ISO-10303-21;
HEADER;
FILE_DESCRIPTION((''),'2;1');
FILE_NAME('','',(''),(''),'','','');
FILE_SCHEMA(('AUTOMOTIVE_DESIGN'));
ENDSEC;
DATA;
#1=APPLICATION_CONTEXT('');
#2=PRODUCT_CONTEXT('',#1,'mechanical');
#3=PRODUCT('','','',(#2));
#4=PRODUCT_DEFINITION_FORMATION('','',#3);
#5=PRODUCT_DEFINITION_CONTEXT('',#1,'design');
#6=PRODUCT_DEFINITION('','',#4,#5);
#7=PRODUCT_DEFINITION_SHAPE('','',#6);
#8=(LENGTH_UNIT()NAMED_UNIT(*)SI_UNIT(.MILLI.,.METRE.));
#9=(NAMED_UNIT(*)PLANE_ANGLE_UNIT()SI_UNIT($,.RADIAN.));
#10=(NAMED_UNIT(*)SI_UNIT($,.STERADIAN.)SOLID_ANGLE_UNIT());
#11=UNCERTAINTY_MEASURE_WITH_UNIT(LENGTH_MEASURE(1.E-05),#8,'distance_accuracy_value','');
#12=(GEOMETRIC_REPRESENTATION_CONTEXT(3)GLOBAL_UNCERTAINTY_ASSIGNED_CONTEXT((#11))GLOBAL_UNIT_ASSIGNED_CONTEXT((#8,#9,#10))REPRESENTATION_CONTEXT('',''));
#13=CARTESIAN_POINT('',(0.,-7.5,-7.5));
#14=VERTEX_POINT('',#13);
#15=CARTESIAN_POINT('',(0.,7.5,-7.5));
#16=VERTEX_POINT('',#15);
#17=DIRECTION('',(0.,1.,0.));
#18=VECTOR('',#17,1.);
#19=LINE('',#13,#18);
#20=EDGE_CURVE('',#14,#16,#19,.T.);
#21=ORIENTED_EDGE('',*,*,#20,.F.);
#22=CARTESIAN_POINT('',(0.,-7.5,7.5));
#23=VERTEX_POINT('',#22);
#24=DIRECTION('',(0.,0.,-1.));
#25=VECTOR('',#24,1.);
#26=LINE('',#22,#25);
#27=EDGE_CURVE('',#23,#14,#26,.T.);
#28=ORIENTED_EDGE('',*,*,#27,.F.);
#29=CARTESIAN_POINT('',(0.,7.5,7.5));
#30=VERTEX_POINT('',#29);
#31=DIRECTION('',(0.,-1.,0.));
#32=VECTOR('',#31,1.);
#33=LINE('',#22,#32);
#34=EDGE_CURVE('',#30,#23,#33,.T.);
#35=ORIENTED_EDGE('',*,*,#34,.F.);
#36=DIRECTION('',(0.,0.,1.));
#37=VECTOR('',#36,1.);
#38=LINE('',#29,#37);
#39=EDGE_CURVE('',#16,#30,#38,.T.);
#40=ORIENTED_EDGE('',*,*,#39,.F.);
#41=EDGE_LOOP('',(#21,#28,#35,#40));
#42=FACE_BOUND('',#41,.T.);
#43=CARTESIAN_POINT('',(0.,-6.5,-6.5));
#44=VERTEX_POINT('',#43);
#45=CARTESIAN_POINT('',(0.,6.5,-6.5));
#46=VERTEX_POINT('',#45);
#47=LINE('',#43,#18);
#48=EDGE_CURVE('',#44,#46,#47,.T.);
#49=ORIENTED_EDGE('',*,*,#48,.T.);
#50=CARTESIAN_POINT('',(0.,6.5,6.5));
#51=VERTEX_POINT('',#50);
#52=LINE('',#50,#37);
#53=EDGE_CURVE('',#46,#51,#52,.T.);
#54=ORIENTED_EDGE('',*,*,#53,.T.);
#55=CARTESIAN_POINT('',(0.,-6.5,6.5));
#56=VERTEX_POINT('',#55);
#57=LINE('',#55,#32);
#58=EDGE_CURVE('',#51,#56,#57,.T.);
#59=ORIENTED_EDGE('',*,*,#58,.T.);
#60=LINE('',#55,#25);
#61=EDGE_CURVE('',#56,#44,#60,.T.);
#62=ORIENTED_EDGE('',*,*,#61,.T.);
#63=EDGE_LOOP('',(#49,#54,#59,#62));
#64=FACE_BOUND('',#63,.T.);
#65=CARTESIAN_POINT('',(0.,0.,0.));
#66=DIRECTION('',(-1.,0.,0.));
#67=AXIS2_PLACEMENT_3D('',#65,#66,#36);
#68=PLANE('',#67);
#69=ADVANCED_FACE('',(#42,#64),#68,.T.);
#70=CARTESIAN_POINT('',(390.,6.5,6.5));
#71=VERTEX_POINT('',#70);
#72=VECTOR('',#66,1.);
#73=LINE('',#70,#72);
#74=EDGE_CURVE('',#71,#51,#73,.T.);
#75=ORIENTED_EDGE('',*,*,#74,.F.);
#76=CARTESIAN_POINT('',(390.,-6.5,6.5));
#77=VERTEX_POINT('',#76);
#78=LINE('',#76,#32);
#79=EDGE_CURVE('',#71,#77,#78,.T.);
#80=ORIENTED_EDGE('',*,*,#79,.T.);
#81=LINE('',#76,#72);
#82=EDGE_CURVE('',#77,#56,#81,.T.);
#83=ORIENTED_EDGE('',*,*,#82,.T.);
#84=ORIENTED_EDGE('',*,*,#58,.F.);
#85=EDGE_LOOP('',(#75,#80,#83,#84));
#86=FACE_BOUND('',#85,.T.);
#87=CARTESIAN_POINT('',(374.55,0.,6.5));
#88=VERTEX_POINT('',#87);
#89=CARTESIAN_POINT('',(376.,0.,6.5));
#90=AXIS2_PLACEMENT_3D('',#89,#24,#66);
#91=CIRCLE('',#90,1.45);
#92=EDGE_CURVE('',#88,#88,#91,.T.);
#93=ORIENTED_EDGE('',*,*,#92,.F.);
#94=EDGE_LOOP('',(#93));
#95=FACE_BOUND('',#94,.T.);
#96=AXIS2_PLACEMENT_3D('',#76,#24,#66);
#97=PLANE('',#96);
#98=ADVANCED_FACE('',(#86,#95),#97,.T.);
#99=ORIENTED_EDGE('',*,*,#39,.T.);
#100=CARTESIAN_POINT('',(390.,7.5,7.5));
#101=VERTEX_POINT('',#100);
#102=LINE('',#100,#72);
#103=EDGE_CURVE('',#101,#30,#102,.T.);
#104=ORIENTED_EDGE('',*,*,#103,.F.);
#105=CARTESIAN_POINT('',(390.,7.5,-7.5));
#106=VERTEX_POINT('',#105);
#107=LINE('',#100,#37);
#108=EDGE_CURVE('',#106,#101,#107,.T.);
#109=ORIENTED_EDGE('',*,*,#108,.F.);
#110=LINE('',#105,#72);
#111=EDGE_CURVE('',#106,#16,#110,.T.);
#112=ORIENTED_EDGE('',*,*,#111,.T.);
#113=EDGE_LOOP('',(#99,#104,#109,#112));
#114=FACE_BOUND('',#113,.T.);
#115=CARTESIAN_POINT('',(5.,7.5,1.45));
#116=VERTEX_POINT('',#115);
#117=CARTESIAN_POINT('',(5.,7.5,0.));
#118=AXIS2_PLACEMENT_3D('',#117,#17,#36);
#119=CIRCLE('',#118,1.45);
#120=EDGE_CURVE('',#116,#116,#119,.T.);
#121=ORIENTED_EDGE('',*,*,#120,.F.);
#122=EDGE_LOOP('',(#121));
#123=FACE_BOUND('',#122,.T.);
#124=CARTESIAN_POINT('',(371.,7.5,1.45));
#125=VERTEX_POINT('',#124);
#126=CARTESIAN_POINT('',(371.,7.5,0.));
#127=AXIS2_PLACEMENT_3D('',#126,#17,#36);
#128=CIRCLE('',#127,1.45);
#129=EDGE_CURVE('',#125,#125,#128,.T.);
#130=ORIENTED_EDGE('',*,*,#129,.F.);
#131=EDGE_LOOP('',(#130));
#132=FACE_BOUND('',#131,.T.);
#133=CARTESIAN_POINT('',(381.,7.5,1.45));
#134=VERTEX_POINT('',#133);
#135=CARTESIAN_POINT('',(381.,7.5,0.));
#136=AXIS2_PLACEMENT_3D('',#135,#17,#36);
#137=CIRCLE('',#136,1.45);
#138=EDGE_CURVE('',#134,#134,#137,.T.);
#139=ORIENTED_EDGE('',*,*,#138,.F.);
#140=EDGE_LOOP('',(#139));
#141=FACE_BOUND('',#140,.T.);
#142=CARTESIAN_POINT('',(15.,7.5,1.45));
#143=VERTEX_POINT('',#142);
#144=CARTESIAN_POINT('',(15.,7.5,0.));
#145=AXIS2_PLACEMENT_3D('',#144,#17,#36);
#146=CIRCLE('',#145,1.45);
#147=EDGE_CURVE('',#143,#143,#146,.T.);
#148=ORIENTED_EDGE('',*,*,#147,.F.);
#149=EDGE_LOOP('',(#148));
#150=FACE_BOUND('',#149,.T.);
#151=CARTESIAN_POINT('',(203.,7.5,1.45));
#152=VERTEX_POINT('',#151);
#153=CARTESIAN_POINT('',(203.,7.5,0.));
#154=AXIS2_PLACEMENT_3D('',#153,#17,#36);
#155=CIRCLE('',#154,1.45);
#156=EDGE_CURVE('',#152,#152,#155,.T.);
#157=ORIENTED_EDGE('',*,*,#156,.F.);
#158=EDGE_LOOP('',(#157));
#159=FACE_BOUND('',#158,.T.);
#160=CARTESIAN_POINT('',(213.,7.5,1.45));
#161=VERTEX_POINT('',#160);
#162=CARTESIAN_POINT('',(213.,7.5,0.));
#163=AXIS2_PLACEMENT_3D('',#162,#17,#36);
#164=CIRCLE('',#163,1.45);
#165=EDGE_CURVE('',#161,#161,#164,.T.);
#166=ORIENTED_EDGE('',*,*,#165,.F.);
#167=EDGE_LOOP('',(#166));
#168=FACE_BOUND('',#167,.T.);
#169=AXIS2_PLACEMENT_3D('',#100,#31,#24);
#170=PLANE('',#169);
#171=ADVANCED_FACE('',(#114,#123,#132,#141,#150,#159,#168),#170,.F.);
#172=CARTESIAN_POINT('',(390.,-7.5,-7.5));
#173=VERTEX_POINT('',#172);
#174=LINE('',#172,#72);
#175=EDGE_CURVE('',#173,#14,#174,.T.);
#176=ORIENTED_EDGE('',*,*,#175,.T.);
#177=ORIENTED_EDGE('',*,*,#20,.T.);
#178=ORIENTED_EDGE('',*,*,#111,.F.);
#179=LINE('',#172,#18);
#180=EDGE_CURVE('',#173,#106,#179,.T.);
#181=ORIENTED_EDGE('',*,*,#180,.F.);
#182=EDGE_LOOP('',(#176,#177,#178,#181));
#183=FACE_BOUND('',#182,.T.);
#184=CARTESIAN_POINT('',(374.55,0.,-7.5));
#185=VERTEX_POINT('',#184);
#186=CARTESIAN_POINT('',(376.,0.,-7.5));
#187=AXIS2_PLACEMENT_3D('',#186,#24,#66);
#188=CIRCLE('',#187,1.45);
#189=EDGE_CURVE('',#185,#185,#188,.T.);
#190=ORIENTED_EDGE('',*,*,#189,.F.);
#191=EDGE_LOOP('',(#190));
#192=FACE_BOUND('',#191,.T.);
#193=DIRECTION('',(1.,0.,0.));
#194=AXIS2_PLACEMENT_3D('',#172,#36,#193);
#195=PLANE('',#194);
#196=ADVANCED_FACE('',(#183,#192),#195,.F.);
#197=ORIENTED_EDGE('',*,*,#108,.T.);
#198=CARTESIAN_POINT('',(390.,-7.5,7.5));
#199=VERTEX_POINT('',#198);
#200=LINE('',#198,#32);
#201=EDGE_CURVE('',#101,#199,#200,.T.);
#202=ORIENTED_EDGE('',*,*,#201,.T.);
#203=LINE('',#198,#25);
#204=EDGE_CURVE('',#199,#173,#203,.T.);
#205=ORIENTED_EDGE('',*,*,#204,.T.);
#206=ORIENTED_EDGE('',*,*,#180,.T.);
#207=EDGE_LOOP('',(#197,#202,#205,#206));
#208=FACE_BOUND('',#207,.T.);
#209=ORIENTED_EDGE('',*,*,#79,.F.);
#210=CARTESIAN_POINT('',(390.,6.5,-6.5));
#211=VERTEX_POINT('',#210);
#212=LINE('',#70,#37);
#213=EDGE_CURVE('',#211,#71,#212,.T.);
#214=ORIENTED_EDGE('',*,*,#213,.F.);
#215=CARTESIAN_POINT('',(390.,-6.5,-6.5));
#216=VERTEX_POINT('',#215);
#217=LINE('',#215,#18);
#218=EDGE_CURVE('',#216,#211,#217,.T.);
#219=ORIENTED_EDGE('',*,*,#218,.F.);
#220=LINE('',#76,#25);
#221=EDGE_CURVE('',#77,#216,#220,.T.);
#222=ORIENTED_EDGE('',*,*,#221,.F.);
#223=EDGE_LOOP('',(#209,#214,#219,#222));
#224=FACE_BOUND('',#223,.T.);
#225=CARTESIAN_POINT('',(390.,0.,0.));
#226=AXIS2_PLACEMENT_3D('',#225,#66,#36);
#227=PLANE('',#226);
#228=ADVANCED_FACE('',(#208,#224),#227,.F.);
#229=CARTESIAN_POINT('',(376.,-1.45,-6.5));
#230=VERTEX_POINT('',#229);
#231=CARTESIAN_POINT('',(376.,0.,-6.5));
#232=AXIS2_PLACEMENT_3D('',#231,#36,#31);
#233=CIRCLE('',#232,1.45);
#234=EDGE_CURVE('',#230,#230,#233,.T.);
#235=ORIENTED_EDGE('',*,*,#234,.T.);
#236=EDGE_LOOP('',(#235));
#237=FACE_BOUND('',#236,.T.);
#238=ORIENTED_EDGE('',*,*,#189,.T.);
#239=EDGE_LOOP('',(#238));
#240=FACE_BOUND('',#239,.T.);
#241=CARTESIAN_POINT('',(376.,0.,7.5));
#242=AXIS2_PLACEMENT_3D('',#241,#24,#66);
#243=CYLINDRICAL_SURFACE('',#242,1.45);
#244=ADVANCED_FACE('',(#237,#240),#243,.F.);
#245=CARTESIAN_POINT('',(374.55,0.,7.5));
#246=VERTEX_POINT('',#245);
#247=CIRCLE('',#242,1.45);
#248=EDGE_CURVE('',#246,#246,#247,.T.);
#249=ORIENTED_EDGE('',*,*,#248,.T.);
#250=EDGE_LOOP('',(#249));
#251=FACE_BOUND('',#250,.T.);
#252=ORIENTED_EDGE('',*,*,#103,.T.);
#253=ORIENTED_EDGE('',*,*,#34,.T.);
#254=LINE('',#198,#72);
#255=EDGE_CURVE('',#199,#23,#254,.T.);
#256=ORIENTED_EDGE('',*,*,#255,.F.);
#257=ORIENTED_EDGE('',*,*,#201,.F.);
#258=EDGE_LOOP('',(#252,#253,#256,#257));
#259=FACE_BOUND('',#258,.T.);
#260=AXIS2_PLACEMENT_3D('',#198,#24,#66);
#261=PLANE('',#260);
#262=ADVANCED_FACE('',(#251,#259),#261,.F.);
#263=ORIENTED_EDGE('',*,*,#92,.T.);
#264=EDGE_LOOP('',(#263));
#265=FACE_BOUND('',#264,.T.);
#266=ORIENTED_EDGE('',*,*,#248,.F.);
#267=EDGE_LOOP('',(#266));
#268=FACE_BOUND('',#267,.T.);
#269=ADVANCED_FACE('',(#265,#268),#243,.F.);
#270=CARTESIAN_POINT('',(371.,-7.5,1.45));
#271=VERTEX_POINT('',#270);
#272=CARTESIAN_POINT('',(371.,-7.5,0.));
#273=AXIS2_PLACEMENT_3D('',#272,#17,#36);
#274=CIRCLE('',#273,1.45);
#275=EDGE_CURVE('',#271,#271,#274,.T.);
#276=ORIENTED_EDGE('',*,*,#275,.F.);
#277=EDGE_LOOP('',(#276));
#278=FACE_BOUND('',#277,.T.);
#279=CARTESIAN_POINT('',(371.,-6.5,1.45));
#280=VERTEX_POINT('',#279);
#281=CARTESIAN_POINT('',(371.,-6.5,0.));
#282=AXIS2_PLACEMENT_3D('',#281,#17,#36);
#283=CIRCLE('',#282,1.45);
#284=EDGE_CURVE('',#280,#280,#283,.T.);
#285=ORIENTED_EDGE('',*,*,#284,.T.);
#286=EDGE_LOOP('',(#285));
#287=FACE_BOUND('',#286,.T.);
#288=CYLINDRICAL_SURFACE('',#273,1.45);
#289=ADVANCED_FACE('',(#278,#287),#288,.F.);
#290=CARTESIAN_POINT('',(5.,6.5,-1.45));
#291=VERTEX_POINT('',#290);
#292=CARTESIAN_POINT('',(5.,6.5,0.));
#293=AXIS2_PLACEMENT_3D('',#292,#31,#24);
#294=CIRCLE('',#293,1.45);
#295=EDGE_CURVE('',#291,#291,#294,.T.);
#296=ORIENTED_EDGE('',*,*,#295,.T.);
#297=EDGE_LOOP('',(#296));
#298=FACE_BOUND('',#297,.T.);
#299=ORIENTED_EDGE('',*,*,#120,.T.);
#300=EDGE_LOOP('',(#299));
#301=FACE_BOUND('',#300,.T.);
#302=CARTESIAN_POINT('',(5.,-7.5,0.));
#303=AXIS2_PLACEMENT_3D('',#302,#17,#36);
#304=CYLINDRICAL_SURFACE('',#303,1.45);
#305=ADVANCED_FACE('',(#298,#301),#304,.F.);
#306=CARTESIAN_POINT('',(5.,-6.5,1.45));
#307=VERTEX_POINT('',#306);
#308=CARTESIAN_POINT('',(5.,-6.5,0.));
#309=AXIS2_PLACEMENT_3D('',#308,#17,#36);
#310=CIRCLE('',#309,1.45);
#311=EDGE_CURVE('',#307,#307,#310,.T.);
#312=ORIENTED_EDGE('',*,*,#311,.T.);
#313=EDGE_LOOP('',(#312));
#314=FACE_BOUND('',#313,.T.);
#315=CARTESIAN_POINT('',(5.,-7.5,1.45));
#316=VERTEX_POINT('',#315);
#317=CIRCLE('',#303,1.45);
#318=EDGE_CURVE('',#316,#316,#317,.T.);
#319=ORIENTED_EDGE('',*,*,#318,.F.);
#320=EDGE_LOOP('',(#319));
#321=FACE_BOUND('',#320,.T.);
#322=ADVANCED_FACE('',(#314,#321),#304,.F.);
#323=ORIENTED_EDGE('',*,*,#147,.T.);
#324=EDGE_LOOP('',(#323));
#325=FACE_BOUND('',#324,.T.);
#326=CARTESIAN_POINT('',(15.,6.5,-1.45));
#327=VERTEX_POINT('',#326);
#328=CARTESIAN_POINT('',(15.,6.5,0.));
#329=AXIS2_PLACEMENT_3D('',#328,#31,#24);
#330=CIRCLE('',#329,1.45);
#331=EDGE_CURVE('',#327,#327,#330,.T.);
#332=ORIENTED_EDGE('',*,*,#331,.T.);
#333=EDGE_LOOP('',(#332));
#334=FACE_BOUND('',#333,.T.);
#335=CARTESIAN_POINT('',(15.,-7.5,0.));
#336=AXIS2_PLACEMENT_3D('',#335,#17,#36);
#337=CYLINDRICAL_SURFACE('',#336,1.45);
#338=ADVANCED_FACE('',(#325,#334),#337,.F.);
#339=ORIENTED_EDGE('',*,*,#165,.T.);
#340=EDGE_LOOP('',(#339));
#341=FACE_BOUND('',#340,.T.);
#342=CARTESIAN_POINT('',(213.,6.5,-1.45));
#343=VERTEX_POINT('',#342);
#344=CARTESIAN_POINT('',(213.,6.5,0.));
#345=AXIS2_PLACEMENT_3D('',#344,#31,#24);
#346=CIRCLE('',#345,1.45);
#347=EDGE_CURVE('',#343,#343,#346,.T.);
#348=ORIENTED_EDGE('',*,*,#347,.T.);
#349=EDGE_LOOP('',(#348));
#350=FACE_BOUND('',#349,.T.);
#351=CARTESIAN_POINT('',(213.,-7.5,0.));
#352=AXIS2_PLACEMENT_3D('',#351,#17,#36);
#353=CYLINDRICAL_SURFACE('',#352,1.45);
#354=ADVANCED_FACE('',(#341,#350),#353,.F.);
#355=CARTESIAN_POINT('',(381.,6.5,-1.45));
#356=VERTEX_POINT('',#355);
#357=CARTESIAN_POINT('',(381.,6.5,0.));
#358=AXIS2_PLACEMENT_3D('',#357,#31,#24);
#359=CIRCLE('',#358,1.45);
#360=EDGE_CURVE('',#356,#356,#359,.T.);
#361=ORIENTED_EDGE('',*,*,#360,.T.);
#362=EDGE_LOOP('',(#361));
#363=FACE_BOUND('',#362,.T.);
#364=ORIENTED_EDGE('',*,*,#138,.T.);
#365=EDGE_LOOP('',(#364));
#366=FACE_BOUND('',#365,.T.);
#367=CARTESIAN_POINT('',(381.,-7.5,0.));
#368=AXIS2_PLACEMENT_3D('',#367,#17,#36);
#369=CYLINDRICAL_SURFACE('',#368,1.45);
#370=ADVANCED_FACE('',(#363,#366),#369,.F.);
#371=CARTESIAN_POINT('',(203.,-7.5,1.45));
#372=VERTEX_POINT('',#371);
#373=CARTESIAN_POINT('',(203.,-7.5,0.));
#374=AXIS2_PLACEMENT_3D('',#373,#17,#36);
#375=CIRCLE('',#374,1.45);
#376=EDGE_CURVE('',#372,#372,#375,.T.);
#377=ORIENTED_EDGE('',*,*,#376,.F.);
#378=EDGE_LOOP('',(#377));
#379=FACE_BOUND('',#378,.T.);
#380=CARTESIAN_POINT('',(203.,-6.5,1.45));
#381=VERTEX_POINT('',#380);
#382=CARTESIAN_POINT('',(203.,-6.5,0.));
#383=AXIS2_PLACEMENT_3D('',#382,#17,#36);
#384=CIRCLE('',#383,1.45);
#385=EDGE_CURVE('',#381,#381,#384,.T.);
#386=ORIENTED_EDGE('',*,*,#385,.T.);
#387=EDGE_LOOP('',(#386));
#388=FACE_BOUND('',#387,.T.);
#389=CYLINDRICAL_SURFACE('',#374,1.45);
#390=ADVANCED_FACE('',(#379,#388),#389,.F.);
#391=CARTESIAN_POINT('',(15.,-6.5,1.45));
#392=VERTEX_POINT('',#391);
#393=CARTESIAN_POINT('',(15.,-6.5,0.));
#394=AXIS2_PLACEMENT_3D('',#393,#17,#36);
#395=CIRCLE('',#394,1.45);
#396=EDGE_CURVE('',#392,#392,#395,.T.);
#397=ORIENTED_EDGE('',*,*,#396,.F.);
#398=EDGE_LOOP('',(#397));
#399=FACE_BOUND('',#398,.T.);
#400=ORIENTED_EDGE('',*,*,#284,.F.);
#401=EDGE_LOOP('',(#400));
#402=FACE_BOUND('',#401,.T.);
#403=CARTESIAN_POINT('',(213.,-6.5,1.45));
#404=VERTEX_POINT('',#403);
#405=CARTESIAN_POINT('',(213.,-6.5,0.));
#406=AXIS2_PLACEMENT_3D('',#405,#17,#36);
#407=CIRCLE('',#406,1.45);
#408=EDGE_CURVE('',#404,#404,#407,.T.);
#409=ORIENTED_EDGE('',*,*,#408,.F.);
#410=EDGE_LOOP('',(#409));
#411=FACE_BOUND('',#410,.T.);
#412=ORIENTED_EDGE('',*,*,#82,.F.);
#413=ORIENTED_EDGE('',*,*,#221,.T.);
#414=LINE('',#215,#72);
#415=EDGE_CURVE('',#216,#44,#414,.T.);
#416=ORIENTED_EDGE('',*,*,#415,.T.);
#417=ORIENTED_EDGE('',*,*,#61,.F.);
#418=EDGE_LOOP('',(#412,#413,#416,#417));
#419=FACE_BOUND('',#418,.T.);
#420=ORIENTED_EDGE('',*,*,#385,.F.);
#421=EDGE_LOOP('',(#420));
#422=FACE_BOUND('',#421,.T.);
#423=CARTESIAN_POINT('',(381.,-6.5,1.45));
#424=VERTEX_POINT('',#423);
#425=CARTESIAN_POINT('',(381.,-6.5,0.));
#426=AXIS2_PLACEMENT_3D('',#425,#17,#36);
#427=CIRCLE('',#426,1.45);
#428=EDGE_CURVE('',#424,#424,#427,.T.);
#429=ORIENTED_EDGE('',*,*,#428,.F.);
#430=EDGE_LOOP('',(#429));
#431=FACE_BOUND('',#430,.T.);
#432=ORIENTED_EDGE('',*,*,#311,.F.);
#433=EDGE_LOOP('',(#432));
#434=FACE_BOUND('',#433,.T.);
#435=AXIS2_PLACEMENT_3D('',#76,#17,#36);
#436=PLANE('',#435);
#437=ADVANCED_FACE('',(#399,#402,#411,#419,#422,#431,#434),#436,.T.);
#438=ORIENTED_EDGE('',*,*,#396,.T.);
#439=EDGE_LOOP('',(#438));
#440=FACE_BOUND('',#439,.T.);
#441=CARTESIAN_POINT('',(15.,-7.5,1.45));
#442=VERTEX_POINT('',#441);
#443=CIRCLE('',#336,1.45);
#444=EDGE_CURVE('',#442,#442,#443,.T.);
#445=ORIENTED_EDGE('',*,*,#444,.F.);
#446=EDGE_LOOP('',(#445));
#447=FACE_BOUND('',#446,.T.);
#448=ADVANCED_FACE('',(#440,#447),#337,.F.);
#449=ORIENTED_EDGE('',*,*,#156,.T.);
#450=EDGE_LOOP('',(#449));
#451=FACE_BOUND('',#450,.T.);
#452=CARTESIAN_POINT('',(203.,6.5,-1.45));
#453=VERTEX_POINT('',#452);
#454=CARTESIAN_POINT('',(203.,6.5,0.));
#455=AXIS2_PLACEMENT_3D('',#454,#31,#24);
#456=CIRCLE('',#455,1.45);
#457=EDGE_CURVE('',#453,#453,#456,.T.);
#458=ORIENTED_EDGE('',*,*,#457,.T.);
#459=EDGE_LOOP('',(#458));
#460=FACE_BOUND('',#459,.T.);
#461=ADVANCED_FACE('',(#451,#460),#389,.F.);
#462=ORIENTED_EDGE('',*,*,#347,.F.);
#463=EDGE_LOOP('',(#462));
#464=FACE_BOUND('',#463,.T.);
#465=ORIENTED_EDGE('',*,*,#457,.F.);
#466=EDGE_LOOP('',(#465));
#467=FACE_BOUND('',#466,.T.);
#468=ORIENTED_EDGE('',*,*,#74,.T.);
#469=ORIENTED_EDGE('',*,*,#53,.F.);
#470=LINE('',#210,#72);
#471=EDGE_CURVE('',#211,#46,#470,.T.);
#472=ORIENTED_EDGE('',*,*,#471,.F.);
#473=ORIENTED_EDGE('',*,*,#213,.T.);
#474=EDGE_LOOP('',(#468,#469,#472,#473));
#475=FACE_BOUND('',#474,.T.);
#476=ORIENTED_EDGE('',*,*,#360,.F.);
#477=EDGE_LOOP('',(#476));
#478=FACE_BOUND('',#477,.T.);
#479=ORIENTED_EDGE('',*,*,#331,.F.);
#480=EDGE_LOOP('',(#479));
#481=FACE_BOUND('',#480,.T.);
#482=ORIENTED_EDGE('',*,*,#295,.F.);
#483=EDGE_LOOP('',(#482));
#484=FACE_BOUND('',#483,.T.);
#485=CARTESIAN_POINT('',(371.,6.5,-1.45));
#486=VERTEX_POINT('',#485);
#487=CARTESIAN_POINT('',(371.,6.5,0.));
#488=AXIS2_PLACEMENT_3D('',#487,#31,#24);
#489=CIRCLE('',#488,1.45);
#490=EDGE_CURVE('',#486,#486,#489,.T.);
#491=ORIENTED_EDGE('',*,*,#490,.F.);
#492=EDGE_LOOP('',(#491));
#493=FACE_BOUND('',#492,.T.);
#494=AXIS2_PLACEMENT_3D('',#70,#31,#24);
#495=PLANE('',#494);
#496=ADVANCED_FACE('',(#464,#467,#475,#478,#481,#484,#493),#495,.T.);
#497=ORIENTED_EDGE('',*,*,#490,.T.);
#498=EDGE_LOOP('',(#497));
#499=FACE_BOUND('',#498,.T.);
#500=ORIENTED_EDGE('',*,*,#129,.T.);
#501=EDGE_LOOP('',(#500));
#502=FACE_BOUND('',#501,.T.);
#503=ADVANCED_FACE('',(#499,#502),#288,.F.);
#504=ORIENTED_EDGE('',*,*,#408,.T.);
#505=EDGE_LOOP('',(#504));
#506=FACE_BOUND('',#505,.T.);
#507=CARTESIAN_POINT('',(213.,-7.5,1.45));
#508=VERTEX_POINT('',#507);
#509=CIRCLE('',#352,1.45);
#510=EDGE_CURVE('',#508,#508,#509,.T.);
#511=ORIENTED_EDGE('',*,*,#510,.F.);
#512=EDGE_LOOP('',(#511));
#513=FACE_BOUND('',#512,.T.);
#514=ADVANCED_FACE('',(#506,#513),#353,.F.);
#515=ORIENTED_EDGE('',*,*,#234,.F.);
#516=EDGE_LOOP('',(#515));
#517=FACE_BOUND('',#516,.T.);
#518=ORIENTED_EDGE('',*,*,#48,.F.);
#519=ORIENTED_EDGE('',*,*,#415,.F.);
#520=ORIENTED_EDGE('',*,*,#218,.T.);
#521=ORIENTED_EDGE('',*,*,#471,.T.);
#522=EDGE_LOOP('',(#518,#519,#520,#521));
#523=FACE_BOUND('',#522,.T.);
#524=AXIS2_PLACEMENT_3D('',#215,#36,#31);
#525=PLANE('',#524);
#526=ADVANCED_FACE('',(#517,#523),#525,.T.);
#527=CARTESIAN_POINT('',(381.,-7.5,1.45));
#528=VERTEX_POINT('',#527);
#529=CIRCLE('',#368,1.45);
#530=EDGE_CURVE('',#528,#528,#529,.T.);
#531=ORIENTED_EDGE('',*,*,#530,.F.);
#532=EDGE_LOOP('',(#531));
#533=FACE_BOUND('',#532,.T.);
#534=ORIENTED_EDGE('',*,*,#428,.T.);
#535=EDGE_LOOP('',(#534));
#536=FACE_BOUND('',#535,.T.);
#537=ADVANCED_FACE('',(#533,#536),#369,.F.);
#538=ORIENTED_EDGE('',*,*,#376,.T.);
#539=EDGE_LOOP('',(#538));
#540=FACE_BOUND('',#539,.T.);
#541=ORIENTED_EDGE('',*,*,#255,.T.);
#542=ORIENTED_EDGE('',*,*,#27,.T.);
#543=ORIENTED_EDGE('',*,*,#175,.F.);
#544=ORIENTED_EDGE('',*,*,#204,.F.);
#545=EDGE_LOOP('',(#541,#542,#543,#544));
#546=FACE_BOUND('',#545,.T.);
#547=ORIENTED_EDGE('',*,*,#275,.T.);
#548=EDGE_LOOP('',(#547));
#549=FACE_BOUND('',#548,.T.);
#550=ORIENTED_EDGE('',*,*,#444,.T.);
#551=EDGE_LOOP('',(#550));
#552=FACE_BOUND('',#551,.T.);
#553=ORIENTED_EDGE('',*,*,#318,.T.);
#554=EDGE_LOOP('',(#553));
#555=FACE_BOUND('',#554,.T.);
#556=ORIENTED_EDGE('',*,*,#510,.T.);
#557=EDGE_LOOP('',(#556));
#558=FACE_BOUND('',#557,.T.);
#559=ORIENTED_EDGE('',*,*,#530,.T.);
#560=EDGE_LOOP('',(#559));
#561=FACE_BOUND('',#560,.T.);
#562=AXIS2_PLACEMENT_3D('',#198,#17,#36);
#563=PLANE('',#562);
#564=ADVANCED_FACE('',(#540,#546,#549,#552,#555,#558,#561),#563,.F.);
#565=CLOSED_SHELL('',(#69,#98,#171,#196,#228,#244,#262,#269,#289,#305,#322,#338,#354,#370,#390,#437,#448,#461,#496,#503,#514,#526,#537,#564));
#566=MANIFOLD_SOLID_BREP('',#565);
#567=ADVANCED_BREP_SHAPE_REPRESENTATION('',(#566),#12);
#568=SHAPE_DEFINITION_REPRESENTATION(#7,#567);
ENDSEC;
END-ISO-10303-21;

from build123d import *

# Parameters (mm, degrees)
SKETCH_1_W          = 15
SKETCH_1_H          = 15
SKETCH_1_W_2        = 13
SKETCH_1_H_2        = 13
EXTRUDE_1_DEPTH     = 390
SKETCH_2_R          = 1.45
CUT_EXTRUDE_1_DEPTH = 391.36041039
SKETCH_3_R          = 1.45
CUT_EXTRUDE_2_DEPTH = 391.36041039


with BuildPart() as part:
    # 草图1 → 凸台-拉伸1 (new body)
    with BuildSketch(Plane(origin=(0, 0, 0), x_dir=(0, 0, -1), z_dir=(1, 0, 0))):
        Rectangle(SKETCH_1_W, SKETCH_1_H)
        Rectangle(SKETCH_1_W_2, SKETCH_1_H_2, mode=Mode.SUBTRACT)
    extrude(amount=EXTRUDE_1_DEPTH)

    # 草图2 → 切除-拉伸1 (cut, through all)
    with BuildSketch(Plane(origin=(0, 7.5, 0), x_dir=(1, 0, 0), z_dir=(0, 1, 0))):
        with Locations(Location((203, 0, 0), (0, 0, 270))):
            Circle(SKETCH_2_R)
        with Locations(Location((213, 0, 0), (0, 0, 270))):
            Circle(SKETCH_2_R)
        with Locations(Location((15, 0, 0), (0, 0, 270))):
            Circle(SKETCH_2_R)
        with Locations(Location((5, 0, 0), (0, 0, 270))):
            Circle(SKETCH_2_R)
        with Locations(Location((381, 0, 0), (0, 0, 270))):
            Circle(SKETCH_2_R)
        with Locations(Location((371, 0, 0), (0, 0, 270))):
            Circle(SKETCH_2_R)
    extrude(amount=-CUT_EXTRUDE_1_DEPTH, mode=Mode.SUBTRACT)

    # 草图3 → 切除-拉伸2 (cut, through all)
    with BuildSketch(Plane(origin=(0, 0, -7.5), x_dir=(-1, 0, 0), z_dir=(0, 0, -1))):
        with Locations((-376, 0)):
            Circle(SKETCH_3_R)
    extrude(amount=-CUT_EXTRUDE_2_DEPTH, mode=Mode.SUBTRACT)


solid = part.part
